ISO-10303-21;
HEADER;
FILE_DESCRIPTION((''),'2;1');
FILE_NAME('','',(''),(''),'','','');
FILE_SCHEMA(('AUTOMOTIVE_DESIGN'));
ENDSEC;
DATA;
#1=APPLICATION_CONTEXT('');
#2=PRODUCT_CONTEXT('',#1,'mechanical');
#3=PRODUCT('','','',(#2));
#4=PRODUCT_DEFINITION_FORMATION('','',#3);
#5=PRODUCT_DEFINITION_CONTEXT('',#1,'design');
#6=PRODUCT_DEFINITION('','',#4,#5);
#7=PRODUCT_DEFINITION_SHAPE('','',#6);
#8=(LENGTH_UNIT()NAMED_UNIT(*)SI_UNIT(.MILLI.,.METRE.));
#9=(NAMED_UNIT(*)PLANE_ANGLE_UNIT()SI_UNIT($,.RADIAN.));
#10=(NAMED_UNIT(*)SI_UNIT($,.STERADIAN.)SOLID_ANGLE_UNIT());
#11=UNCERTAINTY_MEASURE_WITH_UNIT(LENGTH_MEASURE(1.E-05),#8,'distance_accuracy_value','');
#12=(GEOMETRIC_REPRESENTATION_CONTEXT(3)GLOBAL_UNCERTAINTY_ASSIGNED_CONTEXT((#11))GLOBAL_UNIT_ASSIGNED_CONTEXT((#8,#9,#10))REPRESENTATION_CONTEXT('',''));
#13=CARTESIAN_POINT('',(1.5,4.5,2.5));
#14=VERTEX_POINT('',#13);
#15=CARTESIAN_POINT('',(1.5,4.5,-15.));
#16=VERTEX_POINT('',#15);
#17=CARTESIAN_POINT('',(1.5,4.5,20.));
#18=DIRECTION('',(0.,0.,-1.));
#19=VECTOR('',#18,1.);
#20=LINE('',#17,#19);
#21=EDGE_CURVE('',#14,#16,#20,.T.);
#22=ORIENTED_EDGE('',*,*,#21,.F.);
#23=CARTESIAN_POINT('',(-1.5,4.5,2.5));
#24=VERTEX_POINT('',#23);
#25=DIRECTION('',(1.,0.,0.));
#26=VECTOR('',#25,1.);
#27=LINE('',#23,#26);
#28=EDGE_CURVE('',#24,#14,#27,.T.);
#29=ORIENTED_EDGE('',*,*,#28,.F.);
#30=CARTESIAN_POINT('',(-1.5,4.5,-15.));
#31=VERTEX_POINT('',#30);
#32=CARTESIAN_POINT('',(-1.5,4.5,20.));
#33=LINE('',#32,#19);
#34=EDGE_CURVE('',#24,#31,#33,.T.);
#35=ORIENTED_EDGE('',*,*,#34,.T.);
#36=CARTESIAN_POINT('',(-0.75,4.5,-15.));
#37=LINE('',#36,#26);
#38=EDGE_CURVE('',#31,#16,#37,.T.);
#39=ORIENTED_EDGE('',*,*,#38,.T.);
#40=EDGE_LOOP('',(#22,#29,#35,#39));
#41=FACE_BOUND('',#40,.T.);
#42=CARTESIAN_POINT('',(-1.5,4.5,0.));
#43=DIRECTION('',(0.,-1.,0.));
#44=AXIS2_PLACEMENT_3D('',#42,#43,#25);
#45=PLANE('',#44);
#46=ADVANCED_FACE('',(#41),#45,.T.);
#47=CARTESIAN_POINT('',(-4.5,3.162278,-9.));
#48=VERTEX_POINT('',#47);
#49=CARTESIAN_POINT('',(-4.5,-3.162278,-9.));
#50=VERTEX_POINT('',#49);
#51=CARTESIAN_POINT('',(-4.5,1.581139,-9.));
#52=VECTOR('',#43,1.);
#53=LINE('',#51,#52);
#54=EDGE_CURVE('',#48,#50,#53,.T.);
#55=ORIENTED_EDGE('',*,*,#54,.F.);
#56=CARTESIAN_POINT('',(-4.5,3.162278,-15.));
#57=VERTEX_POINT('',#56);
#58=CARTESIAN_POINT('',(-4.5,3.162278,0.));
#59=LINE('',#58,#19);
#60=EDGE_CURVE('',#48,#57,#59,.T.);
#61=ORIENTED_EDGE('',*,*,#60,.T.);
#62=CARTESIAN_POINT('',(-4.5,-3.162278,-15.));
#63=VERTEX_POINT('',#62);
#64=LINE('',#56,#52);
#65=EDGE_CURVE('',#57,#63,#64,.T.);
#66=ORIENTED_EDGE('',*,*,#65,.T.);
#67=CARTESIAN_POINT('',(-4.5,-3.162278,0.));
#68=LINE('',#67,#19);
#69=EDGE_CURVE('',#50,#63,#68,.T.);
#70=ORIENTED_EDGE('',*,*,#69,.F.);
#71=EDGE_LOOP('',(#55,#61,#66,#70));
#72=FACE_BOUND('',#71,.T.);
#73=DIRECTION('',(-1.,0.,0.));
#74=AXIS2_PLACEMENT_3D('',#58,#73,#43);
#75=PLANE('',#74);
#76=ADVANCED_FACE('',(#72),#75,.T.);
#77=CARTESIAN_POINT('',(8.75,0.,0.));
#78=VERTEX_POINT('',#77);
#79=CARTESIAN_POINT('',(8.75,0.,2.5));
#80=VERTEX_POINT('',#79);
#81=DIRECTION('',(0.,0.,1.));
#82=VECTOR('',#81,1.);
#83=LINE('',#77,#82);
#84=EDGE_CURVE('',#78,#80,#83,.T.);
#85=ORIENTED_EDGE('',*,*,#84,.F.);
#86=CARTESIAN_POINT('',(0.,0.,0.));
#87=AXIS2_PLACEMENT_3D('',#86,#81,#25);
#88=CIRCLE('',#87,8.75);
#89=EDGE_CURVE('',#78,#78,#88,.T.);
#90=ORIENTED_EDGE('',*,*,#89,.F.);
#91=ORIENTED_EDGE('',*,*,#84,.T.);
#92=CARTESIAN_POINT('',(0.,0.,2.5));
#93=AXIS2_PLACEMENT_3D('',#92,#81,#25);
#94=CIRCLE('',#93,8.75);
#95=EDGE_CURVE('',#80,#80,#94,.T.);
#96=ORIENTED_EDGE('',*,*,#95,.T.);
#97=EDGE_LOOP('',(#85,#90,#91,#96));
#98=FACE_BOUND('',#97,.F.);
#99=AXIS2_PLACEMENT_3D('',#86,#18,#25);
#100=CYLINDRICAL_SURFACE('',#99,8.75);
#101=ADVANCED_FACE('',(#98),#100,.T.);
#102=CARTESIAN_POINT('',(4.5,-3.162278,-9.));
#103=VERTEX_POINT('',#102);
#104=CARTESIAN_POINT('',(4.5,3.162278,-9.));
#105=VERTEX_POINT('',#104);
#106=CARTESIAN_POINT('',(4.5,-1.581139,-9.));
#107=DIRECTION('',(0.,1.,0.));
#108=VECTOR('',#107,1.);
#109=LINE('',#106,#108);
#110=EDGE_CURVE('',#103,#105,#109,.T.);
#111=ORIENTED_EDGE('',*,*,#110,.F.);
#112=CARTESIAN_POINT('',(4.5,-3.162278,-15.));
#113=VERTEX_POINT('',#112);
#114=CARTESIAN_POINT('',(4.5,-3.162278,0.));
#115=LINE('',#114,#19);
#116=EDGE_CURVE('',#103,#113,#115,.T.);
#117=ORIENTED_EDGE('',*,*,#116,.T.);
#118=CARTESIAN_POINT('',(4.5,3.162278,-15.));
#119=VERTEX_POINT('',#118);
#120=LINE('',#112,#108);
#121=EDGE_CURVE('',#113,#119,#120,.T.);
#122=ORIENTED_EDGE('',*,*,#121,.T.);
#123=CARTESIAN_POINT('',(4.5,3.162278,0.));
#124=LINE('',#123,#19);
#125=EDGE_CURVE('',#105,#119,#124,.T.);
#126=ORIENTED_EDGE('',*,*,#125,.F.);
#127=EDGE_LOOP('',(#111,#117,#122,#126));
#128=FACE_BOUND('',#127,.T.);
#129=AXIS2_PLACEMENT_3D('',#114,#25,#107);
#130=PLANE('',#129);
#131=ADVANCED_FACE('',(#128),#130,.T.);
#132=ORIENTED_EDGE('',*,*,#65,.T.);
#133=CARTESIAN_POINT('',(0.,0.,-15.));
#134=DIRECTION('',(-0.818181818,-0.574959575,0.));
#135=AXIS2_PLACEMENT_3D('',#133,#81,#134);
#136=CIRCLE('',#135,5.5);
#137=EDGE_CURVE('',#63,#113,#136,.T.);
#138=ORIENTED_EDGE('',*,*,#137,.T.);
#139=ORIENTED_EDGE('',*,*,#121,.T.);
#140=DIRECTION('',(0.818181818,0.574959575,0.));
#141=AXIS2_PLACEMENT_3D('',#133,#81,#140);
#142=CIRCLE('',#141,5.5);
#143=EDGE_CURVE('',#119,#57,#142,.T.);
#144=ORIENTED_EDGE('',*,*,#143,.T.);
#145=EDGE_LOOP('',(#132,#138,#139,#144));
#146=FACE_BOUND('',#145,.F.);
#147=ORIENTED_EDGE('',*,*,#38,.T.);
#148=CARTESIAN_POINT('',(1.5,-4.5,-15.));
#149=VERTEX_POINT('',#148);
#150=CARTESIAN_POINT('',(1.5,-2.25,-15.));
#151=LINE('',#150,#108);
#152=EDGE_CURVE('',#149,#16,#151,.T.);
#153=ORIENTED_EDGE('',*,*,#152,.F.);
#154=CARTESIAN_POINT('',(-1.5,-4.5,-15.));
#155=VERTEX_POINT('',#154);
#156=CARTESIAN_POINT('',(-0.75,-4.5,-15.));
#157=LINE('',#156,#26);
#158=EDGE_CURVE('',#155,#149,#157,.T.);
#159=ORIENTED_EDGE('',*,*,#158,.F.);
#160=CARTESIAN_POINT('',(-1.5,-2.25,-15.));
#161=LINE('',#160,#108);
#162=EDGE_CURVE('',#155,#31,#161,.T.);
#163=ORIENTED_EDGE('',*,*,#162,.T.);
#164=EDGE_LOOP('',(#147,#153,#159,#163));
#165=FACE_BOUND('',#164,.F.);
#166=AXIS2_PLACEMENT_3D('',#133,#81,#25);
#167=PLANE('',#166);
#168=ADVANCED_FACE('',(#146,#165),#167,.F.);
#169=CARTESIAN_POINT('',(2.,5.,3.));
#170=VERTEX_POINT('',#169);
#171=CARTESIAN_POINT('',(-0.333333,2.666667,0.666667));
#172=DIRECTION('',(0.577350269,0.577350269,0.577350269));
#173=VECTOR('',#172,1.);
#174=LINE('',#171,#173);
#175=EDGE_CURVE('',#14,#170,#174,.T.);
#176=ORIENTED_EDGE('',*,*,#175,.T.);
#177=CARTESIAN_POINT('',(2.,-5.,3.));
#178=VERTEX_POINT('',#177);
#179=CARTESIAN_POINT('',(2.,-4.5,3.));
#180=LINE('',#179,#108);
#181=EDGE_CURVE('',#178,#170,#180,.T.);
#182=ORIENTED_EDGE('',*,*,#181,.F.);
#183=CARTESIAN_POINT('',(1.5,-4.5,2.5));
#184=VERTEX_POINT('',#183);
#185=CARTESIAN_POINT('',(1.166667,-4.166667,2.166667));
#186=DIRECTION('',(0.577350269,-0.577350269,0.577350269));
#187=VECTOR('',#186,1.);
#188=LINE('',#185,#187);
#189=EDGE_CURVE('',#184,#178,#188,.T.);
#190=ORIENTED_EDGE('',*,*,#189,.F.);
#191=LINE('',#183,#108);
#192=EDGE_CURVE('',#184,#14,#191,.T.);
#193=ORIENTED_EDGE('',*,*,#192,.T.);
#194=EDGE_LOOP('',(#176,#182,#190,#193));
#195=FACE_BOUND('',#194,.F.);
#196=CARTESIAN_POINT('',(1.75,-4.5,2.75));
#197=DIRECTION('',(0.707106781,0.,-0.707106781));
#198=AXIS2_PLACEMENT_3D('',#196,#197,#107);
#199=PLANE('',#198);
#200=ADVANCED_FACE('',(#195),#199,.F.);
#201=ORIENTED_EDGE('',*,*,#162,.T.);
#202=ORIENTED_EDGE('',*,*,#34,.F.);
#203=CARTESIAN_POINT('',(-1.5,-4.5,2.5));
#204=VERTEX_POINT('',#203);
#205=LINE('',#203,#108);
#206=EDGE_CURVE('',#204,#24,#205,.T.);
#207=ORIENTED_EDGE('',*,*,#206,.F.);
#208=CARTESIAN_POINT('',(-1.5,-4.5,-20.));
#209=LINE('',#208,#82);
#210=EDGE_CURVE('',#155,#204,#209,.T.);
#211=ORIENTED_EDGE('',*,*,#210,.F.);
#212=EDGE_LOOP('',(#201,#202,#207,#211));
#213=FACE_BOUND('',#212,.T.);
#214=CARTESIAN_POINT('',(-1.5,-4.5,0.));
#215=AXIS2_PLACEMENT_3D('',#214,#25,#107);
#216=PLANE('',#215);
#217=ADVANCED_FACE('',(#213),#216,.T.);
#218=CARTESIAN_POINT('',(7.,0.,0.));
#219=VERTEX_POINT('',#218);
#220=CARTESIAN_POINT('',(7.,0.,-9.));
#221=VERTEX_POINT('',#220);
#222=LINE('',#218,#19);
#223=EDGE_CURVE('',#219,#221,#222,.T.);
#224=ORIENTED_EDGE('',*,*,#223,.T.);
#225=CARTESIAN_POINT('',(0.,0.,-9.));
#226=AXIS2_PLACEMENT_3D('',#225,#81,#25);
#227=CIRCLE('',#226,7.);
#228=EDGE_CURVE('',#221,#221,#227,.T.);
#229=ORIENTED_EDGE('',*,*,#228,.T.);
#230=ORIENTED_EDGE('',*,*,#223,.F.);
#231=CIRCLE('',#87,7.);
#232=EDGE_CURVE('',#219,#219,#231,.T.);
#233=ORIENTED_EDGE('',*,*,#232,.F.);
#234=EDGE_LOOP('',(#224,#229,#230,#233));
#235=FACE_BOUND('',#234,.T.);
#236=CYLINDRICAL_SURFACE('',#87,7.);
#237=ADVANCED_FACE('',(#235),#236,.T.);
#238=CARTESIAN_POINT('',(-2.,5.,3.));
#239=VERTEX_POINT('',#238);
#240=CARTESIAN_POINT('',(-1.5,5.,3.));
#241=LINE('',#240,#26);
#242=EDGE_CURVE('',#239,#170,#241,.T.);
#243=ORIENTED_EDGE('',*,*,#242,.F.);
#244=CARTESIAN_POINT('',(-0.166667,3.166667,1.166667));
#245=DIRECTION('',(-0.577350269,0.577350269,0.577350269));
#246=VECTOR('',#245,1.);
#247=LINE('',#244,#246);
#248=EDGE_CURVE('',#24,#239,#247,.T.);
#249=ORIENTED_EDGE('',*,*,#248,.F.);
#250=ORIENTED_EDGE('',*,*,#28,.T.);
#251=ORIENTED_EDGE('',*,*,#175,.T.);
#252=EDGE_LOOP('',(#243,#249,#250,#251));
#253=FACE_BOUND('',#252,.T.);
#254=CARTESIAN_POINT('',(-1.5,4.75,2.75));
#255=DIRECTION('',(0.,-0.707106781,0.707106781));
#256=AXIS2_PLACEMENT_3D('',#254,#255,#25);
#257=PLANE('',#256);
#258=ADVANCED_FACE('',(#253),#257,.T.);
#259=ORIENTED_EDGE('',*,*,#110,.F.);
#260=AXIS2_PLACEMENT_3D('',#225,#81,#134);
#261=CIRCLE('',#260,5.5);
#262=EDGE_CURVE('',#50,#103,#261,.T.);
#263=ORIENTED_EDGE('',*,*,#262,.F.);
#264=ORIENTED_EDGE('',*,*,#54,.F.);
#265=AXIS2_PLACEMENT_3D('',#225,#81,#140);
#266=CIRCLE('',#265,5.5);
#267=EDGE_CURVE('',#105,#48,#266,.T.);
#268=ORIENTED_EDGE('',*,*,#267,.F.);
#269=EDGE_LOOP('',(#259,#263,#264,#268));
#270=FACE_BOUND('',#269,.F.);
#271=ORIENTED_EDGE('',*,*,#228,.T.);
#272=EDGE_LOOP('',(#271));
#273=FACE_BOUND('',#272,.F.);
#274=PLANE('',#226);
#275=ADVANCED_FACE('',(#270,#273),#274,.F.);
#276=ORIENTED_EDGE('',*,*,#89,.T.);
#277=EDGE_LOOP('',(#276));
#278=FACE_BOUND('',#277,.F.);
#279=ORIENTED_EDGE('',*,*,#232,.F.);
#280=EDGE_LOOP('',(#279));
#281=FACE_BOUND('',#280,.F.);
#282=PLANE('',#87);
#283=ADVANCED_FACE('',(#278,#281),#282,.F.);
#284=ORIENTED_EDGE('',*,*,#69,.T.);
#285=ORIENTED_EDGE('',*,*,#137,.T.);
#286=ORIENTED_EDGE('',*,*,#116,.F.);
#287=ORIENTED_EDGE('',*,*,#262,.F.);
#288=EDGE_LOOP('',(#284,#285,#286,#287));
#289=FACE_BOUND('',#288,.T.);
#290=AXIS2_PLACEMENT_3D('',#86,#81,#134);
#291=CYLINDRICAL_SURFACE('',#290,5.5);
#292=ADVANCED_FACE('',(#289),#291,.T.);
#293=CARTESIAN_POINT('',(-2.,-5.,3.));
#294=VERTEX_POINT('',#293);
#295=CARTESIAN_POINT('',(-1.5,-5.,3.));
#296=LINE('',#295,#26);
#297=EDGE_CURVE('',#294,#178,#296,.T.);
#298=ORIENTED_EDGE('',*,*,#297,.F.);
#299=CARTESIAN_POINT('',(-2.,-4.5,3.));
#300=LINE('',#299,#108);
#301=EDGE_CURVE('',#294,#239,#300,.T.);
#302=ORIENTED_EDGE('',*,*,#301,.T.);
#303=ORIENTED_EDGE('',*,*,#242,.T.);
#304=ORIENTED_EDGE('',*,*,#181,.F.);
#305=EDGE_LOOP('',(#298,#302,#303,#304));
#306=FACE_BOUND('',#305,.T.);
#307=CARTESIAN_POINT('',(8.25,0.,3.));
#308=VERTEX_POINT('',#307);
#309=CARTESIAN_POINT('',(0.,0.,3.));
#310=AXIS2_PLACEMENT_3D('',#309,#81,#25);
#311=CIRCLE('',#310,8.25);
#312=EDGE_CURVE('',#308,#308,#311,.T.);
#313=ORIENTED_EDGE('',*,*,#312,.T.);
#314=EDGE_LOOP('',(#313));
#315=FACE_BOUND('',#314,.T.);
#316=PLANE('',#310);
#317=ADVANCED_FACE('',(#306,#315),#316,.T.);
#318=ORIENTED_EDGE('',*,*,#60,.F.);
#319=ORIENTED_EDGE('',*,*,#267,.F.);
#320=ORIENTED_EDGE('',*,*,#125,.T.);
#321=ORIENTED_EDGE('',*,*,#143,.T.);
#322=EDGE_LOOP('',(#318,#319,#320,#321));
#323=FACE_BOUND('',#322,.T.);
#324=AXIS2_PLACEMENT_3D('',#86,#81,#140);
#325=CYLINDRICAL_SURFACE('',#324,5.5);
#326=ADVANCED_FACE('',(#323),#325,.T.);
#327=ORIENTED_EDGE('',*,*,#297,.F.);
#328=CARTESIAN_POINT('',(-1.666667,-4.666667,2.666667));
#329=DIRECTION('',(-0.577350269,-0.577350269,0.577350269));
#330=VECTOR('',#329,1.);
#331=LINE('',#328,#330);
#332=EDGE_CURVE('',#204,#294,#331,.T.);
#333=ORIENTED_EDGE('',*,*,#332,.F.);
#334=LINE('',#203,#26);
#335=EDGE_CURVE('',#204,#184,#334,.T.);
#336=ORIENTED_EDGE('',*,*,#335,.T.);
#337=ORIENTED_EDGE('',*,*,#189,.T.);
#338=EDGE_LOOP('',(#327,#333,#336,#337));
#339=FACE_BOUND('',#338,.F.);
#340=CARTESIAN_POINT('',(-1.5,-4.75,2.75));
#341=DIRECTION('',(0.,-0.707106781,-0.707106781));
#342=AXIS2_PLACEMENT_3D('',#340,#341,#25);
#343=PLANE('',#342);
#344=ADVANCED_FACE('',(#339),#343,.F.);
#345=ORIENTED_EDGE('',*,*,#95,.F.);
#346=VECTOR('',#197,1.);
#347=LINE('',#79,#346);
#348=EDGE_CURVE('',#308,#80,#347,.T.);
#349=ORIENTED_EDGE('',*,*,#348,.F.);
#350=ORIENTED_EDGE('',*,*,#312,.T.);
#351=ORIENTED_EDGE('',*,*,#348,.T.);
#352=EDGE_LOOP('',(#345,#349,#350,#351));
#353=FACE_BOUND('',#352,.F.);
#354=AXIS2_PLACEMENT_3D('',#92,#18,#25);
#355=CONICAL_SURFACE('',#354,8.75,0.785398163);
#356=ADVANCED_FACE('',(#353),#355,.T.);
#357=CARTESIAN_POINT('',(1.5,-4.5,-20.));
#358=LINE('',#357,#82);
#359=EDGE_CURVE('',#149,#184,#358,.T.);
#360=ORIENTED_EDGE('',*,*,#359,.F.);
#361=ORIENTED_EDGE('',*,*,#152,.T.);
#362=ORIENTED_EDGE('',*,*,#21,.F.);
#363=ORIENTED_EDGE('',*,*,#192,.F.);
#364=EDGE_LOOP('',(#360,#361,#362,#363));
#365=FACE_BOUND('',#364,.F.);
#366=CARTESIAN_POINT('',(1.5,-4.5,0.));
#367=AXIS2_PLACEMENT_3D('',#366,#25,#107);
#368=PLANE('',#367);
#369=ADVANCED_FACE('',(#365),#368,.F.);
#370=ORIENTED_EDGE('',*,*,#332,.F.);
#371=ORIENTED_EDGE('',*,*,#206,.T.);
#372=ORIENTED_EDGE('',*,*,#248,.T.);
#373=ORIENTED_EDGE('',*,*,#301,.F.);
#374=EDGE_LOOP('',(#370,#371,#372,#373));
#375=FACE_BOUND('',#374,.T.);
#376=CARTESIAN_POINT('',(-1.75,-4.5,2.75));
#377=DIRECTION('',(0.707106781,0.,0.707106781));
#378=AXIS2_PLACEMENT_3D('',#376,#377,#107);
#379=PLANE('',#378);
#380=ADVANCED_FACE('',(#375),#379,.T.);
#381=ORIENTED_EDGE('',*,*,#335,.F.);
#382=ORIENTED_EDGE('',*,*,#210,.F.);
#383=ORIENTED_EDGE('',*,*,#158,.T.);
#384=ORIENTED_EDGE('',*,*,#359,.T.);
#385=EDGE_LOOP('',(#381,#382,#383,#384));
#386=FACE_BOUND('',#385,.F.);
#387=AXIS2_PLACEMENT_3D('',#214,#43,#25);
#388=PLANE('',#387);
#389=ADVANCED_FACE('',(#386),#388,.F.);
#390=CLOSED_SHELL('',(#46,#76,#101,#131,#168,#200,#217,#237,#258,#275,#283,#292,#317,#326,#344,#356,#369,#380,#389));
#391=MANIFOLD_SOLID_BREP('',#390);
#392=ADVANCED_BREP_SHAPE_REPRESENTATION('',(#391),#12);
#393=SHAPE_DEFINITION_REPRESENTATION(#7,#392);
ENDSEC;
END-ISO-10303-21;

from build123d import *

# Parameters (mm, degrees)
F0_R     = 8.75
F3_DEPTH = 3
F1_R     = 7
F4_DEPTH = 9
F5_DEPTH = 15
F6_W     = 3
F6_H     = 9
F7_DEPTH = 20
F8_SIZE  = 0.5


with BuildPart() as f3:
    # F0 (on Top) → F3 (new body)
    with BuildSketch(Plane.XY):
        Circle(F0_R)
    extrude(amount=F3_DEPTH)

    # F1 (on Top) → F4 (join)
    with BuildSketch(Plane.XY):
        Circle(F1_R)
    extrude(amount=-F4_DEPTH)

    # F2 (on Top) → F5 (join)
    with BuildSketch(Plane.XY):
        with BuildLine():
            Line((4.5, -3.1622776602), (4.5, 3.1622776602))
            ThreePointArc((4.5, 3.1622776602), (0, 5.5), (-4.5, 3.1622776602))
            Line((-4.5, 3.1622776602), (-4.5, -3.1622776602))
            ThreePointArc((-4.5, -3.1622776602), (0, -5.5), (4.5, -3.1622776602))
        make_face()
    extrude(amount=-F5_DEPTH)

    # F6 (on Top) → F7 (cut, symmetric)
    with BuildSketch(Plane.XY):
        Rectangle(F6_W, F6_H)
    extrude(amount=F7_DEPTH, both=True, mode=Mode.SUBTRACT)

    # F8
    f8_edges = [f3.edges().sort_by_distance(p)[0] for p in [
        (-8.75, 0, 3),
        (-1.5, 0, 3),
        (0, -4.5, 3),
        (1.5, 0, 3),
        (0, 4.5, 3),
    ]]
    chamfer(f8_edges, length=F8_SIZE)


solid = f3.part
